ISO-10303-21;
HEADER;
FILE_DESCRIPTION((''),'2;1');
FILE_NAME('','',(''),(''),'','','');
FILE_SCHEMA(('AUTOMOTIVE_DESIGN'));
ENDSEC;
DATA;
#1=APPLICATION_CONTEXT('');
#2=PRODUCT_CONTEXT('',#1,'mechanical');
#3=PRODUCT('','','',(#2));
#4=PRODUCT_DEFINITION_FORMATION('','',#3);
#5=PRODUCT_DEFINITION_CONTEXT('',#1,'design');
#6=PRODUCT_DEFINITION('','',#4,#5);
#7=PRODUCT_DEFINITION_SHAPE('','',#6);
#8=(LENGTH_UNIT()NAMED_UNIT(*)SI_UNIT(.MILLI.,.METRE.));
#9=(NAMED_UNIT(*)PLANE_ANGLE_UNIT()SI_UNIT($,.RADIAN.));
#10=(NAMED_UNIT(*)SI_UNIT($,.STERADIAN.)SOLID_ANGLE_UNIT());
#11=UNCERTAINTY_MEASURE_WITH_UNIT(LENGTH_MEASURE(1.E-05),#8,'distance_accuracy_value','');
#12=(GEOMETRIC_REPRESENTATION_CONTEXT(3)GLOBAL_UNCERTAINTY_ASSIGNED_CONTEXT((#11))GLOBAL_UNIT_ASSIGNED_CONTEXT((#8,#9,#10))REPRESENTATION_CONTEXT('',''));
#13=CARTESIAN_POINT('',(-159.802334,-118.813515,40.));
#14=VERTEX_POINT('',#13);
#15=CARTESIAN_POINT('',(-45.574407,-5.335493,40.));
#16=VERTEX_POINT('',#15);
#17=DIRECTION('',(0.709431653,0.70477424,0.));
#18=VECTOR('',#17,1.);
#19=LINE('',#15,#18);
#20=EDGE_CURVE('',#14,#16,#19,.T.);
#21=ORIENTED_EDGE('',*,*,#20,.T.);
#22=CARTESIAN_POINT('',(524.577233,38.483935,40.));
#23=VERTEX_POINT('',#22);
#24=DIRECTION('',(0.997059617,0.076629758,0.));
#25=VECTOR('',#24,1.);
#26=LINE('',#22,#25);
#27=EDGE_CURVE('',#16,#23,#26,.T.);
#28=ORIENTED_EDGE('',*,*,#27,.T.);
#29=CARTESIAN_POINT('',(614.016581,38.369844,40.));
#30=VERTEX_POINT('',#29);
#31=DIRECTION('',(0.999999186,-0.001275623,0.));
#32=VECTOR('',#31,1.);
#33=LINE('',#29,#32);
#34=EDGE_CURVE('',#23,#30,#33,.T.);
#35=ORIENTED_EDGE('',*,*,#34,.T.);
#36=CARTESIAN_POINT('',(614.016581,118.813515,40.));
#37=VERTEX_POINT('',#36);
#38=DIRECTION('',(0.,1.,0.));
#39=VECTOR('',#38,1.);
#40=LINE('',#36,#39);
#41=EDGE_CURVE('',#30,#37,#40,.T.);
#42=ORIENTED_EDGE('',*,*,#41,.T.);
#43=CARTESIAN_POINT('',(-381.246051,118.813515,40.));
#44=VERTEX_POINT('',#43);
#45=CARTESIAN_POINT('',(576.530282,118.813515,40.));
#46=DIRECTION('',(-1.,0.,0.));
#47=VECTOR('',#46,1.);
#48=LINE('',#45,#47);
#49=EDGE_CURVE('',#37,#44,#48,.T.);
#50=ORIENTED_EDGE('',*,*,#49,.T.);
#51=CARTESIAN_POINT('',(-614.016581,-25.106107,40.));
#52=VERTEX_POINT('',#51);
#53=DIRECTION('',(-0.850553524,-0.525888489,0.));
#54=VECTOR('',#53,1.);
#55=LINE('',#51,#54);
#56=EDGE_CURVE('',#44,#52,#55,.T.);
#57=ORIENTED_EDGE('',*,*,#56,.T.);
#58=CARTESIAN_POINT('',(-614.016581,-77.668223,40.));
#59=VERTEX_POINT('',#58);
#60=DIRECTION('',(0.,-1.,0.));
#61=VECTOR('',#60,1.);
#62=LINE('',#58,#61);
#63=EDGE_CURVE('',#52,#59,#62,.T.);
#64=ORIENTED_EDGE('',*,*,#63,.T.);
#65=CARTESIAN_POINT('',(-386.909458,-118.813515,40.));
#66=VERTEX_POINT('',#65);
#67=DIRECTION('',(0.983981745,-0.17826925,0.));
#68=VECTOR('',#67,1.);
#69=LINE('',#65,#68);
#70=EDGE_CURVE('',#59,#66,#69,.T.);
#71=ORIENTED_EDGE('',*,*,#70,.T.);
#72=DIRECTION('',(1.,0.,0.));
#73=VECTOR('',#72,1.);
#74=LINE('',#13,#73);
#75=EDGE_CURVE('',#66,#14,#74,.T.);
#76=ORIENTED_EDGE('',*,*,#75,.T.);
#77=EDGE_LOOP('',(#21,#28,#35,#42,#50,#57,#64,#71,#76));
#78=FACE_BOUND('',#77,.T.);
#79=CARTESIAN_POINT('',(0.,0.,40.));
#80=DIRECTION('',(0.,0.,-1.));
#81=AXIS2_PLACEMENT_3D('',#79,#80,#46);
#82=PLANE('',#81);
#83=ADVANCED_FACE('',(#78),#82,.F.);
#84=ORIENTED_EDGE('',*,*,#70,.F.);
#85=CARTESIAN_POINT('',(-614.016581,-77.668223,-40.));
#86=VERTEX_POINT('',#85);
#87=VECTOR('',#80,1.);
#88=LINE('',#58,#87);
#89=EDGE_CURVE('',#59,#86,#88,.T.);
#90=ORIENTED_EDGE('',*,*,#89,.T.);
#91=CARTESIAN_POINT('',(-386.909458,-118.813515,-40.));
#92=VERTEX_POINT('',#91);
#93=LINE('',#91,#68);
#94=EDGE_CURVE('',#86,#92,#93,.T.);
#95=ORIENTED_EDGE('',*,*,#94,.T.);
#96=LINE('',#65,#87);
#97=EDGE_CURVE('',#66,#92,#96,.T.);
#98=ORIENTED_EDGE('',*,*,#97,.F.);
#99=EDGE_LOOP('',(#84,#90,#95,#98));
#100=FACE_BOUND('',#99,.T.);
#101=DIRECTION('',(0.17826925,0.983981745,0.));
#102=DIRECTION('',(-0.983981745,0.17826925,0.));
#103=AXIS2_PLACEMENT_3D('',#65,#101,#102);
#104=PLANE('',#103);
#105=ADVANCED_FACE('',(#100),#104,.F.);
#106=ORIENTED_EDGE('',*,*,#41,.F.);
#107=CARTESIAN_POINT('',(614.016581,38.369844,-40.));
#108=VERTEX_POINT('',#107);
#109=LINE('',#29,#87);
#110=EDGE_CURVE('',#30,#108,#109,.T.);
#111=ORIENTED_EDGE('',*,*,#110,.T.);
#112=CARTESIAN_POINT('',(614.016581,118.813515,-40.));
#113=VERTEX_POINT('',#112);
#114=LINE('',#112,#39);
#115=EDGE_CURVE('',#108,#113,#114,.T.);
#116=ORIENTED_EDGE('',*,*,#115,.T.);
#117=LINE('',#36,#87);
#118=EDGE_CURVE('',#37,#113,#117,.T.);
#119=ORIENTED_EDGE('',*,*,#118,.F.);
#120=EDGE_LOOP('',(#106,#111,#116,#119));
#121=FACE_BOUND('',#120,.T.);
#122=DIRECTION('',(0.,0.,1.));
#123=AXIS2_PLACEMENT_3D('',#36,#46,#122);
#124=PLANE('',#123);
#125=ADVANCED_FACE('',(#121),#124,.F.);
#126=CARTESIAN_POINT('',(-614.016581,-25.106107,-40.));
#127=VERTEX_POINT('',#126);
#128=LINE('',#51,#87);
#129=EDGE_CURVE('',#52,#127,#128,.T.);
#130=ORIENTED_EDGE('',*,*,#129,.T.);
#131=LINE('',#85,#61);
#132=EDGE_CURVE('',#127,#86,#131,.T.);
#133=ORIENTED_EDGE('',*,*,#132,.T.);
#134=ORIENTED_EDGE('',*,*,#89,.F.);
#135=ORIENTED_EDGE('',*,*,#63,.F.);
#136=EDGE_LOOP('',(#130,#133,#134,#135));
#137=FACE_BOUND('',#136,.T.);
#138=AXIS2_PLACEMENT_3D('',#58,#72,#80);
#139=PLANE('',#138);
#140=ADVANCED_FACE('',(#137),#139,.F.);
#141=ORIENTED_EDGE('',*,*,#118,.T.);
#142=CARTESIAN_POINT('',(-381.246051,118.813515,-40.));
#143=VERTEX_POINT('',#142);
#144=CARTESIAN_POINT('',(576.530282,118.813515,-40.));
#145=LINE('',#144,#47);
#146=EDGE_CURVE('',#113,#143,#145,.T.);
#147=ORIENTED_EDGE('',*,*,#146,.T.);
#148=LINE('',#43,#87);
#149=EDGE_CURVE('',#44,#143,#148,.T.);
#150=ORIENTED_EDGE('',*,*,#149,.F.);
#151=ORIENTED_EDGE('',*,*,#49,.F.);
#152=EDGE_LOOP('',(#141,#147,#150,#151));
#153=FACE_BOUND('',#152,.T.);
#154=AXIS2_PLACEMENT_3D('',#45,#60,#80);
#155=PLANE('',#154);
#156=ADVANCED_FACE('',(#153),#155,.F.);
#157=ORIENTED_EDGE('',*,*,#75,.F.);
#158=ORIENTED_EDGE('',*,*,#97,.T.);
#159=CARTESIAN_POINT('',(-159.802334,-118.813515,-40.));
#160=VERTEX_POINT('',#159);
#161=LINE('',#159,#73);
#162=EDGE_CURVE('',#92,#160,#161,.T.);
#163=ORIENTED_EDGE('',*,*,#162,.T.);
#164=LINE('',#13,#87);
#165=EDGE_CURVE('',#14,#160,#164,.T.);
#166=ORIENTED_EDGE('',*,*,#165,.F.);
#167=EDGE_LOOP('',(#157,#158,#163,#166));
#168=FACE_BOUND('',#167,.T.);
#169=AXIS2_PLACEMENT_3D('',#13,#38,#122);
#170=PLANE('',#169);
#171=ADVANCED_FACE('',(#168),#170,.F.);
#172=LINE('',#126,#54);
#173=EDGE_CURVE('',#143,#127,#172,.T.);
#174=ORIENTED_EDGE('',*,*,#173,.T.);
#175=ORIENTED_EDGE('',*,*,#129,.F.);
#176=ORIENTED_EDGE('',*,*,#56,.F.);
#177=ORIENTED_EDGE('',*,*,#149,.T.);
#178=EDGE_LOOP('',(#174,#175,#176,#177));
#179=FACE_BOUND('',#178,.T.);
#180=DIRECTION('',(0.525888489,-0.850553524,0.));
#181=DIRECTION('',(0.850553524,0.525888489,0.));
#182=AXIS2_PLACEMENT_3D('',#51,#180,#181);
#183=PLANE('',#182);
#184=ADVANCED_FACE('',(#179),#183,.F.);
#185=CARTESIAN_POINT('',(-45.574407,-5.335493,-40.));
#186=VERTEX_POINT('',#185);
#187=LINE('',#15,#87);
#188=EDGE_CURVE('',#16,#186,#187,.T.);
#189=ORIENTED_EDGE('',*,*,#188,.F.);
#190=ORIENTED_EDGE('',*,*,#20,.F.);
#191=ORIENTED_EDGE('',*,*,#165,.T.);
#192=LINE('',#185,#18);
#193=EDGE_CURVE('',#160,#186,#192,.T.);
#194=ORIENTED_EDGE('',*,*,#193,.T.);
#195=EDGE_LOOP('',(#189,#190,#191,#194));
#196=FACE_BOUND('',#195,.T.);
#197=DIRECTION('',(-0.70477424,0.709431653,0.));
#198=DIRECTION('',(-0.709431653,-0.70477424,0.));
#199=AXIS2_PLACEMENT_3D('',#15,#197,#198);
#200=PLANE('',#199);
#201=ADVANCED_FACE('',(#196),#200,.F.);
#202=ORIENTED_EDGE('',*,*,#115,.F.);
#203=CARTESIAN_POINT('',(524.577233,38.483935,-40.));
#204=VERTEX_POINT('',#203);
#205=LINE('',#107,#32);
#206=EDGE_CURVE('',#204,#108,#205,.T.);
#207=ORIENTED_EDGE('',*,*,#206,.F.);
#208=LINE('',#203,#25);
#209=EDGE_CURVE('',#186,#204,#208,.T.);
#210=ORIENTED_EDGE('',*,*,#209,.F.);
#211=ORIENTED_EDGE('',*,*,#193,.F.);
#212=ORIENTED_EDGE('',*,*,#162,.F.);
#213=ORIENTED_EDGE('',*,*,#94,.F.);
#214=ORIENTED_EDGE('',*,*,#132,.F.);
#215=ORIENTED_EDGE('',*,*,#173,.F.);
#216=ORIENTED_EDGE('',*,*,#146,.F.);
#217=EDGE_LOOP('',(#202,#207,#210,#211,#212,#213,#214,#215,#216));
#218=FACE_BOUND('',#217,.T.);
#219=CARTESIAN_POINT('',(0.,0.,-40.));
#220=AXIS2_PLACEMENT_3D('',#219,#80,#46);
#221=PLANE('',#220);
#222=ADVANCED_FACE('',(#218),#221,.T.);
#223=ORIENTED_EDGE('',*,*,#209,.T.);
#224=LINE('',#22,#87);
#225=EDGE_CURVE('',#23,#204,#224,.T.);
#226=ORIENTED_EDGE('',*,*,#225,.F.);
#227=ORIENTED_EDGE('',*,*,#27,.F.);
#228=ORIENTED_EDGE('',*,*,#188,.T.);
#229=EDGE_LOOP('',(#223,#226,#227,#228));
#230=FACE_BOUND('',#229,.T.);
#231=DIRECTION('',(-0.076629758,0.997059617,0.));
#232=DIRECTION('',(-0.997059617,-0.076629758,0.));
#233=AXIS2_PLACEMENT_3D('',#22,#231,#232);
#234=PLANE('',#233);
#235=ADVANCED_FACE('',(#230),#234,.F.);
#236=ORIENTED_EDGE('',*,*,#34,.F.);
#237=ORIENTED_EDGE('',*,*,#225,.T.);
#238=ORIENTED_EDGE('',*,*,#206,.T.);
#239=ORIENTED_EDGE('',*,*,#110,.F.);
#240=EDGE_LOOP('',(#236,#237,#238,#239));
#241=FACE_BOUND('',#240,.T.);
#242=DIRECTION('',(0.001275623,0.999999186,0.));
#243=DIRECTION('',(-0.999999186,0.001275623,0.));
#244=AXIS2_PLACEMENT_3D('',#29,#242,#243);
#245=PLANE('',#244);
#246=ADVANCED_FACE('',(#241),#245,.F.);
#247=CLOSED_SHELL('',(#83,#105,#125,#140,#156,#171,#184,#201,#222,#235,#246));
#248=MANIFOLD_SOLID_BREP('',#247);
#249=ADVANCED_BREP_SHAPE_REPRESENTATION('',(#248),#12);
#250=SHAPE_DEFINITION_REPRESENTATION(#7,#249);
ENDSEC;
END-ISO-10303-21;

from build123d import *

# Parameters (mm, degrees)
BOSS_EXTRUDE1_DEPTH = 40


with BuildPart() as part:
    # Sketch1 → Boss-Extrude1 (new body, symmetric)
    with BuildSketch(Plane.XY):
        Polygon((576.530281573, 118.813515451), (-381.24605126, 118.813515451), (-614.016581357, -25.106107257), (-614.016581357, -77.668223147), (-386.909457622, -118.813515451), (-159.802333887, -118.813515451), (-45.574406616, -5.335493482), (524.577232755, 38.483934534), (614.016581357, 38.369843561), (614.016581357, 118.813515451), align=None)
    extrude(amount=BOSS_EXTRUDE1_DEPTH, both=True)


solid = part.part
